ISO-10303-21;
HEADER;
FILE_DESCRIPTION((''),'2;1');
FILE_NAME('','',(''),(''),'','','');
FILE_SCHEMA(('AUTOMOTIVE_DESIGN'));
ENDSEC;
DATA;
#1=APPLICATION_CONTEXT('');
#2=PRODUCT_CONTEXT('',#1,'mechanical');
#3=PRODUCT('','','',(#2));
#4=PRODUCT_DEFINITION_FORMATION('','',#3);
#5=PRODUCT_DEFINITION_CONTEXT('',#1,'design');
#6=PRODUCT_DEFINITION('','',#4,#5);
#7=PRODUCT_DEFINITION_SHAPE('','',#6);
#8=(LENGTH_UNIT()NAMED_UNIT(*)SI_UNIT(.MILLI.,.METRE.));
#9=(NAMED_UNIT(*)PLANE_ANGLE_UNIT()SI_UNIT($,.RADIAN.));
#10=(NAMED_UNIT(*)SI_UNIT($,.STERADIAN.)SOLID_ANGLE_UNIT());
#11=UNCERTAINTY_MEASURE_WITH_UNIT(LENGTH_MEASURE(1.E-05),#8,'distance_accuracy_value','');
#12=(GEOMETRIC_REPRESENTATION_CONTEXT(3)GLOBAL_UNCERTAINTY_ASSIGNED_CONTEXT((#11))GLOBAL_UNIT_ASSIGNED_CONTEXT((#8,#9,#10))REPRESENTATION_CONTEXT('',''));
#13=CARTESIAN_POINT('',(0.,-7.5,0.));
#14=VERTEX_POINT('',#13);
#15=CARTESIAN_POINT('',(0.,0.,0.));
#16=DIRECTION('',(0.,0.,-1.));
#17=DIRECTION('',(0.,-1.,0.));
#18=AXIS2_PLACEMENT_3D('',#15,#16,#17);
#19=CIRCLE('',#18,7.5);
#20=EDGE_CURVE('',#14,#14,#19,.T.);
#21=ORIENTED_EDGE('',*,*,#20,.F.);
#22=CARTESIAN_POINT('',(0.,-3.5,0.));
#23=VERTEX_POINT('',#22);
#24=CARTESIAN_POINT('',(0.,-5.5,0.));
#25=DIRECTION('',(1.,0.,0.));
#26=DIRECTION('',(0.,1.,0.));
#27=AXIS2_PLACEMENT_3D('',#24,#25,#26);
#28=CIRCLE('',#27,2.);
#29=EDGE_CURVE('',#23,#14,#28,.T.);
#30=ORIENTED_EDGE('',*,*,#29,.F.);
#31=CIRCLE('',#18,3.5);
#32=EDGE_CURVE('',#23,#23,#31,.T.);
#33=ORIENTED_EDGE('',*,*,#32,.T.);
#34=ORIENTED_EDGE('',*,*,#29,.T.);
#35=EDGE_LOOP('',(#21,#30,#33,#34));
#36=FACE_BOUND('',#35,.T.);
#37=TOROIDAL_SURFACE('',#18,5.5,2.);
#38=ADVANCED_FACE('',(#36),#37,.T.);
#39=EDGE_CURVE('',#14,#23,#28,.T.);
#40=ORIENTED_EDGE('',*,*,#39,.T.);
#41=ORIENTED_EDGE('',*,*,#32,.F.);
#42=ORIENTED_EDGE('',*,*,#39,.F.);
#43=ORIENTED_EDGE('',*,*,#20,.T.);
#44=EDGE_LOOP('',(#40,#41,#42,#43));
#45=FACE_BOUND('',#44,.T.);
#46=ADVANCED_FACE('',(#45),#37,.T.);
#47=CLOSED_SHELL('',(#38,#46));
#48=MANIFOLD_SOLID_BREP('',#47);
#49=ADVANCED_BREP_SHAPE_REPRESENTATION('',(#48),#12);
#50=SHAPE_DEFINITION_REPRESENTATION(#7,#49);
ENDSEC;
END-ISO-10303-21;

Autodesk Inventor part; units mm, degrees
ref_plane "YZ Plane" through (0, 0, 0) normal (1, 0, 0) x (0, 1, 0)
ref_plane "XZ Plane" through (0, 0, 0) normal (0, 1, 0) x (-1, 0, 0)
ref_plane "XY Plane" through (0, 0, 0) normal (0, 0, 1) x (1, 0, 0)
sketch "Skizze1" plane through (0, 0, 0) normal (1, 0, 0) x (0, 1, 0)
  line L0 (0, 1.1382) -> (0, -1.1246)
  circle A0 centre (-5.5, 0) radius 2
  line L1 (-9, 0) -> (1.5, 0) projected
  line L2 (-3.5, 0.8713) -> (-3.5, -0.7181) construction
  point P0 (0, 0)
  dimension "d0" = 4
  dimension "d3" = 7
revolve "Umdrehung1" add sketch "Skizze1" angle 360 about axis through (0, 0, 1.1382) along (0, 0, -1)
properties part number "O-Ring 6x4.0" material "Gummi, Silikon"
